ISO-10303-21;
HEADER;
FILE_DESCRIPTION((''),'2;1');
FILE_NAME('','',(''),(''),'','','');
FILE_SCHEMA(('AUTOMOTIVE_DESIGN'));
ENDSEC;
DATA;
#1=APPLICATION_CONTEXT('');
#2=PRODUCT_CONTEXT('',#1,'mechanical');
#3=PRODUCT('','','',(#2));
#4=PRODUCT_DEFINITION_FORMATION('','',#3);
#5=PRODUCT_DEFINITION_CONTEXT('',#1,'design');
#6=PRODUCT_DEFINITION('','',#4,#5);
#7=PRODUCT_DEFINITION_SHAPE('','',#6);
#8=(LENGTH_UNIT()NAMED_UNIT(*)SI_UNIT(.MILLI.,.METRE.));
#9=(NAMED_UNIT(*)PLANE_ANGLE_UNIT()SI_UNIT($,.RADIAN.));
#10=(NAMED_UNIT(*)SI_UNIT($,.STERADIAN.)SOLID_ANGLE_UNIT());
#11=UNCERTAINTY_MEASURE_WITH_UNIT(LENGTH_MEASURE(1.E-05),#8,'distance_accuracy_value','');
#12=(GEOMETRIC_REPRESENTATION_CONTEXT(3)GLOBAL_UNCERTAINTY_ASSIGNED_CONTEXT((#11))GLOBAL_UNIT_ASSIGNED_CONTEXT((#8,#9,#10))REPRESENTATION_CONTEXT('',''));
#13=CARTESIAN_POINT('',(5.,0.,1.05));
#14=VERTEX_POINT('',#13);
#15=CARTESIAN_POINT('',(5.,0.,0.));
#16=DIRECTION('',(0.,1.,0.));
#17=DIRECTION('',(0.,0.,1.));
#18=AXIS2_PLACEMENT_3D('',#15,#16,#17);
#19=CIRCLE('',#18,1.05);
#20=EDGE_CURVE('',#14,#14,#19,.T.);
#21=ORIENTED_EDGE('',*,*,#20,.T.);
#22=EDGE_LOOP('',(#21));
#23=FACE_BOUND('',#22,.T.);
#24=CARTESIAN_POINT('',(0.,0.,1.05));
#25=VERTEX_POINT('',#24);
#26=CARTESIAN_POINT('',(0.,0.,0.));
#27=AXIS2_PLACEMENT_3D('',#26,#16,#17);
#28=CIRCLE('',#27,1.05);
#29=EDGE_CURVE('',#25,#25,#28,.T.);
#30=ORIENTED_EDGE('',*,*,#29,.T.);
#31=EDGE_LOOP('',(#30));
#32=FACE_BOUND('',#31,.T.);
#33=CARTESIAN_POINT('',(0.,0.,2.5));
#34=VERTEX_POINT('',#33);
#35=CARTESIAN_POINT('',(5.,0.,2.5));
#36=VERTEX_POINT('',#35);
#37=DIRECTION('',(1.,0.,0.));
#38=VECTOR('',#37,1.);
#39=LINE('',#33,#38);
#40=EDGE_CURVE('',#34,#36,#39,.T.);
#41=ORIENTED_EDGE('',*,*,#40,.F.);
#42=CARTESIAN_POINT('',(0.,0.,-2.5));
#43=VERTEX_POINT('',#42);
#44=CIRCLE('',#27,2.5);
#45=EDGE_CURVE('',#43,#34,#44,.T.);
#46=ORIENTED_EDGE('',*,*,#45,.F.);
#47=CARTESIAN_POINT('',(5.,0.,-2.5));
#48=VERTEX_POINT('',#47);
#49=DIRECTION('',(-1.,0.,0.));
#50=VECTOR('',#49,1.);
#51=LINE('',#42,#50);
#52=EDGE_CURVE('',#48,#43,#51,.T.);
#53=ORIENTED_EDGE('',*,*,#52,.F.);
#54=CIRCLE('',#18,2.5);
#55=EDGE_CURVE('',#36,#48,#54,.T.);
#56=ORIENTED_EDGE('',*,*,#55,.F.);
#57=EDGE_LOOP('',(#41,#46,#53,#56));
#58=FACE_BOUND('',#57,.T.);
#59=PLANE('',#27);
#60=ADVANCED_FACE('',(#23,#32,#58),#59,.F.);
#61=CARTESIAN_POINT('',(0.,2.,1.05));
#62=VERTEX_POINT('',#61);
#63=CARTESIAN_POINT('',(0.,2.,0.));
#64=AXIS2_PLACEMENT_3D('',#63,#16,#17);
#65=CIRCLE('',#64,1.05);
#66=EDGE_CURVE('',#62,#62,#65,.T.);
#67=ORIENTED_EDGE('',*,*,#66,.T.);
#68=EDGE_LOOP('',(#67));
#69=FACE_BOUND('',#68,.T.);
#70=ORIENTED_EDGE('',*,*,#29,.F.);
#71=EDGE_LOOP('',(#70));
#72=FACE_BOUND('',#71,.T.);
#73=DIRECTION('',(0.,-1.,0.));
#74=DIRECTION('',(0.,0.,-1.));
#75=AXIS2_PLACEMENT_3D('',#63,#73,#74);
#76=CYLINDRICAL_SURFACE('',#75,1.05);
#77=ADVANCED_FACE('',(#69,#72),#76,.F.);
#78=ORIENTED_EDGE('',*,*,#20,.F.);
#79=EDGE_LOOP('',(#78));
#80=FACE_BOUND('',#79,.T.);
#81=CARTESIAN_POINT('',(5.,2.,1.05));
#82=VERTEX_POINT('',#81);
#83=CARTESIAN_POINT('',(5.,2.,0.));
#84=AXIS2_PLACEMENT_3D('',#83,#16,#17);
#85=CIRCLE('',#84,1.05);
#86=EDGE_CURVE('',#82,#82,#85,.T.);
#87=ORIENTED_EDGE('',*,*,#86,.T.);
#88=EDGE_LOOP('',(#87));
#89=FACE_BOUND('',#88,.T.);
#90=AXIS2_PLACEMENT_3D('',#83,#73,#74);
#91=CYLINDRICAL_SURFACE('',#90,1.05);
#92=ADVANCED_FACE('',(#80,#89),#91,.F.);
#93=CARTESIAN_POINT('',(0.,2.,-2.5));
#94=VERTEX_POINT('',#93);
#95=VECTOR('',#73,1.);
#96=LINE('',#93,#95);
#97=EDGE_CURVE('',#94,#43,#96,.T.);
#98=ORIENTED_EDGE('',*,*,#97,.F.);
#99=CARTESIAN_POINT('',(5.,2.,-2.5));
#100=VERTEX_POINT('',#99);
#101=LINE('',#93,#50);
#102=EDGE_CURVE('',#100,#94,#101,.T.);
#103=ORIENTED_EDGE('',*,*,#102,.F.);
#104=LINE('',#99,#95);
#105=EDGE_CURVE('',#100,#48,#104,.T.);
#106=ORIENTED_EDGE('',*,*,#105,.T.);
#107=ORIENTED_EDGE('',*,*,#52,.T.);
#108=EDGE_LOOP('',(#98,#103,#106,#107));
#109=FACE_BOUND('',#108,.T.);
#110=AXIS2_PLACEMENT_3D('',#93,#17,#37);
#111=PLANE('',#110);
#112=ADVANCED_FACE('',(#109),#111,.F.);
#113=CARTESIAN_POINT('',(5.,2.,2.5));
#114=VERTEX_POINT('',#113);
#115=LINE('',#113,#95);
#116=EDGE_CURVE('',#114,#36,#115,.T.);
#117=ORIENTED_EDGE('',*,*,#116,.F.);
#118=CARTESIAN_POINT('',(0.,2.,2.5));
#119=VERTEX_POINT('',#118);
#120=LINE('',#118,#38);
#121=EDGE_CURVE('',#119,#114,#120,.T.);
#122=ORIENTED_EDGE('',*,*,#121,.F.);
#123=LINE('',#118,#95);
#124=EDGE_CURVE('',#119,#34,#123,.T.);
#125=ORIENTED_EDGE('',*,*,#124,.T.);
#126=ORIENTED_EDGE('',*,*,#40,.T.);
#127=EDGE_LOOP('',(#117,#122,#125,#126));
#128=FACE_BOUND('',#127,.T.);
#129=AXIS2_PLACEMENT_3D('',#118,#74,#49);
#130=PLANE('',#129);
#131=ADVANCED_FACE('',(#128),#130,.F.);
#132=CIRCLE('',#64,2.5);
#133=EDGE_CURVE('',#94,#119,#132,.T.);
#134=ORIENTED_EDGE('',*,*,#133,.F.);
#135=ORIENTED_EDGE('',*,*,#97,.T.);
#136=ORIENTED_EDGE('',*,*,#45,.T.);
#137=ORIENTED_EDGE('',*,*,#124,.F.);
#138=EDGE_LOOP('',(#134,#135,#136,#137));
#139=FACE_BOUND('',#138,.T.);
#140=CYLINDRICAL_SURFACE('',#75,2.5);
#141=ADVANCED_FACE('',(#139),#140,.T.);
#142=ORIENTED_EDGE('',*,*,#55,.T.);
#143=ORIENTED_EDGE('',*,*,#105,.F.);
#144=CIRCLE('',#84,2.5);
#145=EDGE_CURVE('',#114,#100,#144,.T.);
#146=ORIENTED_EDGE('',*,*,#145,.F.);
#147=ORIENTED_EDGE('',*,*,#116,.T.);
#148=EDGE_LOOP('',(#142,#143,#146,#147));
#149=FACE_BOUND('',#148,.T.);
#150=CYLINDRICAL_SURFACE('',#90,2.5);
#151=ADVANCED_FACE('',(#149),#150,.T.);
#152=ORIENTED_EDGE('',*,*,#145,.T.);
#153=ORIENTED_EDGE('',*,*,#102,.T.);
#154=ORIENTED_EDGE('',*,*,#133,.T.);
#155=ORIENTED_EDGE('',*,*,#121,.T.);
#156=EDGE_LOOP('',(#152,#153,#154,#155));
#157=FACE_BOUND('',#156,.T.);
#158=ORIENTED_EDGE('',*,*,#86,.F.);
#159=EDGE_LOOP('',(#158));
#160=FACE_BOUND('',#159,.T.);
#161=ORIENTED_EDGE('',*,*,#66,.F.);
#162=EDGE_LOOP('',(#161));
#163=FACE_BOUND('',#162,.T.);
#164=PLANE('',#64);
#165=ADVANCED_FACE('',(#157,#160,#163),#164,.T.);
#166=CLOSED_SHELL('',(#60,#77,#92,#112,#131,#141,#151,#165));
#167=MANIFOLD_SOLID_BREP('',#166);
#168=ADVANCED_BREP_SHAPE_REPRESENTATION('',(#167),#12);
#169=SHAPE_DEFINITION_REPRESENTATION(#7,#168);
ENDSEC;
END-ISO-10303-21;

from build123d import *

# Parameters (mm, degrees)
SKETCH1_R           = 1.05
BOSS_EXTRUDE1_DEPTH = 2


with BuildPart() as part:
    # Sketch1 → Boss-Extrude1 (new body)
    with BuildSketch(Plane(origin=(0, 0, 0), x_dir=(1, 0, 0), z_dir=(0, 1, 0))):
        with BuildLine():
            Line((0, 2.5), (5, 2.5))
            ThreePointArc((5, 2.5), (7.5, 0), (5, -2.5))
            Line((5, -2.5), (0, -2.5))
            ThreePointArc((0, -2.5), (-2.5, 0), (0, 2.5))
        make_face()
        with Locations(Location((0, 0, 0), (0, 0, 270))):
            Circle(SKETCH1_R, mode=Mode.SUBTRACT)
        with Locations(Location((5, 0, 0), (0, 0, 270))):
            Circle(SKETCH1_R, mode=Mode.SUBTRACT)
    extrude(amount=BOSS_EXTRUDE1_DEPTH)


solid = part.part
